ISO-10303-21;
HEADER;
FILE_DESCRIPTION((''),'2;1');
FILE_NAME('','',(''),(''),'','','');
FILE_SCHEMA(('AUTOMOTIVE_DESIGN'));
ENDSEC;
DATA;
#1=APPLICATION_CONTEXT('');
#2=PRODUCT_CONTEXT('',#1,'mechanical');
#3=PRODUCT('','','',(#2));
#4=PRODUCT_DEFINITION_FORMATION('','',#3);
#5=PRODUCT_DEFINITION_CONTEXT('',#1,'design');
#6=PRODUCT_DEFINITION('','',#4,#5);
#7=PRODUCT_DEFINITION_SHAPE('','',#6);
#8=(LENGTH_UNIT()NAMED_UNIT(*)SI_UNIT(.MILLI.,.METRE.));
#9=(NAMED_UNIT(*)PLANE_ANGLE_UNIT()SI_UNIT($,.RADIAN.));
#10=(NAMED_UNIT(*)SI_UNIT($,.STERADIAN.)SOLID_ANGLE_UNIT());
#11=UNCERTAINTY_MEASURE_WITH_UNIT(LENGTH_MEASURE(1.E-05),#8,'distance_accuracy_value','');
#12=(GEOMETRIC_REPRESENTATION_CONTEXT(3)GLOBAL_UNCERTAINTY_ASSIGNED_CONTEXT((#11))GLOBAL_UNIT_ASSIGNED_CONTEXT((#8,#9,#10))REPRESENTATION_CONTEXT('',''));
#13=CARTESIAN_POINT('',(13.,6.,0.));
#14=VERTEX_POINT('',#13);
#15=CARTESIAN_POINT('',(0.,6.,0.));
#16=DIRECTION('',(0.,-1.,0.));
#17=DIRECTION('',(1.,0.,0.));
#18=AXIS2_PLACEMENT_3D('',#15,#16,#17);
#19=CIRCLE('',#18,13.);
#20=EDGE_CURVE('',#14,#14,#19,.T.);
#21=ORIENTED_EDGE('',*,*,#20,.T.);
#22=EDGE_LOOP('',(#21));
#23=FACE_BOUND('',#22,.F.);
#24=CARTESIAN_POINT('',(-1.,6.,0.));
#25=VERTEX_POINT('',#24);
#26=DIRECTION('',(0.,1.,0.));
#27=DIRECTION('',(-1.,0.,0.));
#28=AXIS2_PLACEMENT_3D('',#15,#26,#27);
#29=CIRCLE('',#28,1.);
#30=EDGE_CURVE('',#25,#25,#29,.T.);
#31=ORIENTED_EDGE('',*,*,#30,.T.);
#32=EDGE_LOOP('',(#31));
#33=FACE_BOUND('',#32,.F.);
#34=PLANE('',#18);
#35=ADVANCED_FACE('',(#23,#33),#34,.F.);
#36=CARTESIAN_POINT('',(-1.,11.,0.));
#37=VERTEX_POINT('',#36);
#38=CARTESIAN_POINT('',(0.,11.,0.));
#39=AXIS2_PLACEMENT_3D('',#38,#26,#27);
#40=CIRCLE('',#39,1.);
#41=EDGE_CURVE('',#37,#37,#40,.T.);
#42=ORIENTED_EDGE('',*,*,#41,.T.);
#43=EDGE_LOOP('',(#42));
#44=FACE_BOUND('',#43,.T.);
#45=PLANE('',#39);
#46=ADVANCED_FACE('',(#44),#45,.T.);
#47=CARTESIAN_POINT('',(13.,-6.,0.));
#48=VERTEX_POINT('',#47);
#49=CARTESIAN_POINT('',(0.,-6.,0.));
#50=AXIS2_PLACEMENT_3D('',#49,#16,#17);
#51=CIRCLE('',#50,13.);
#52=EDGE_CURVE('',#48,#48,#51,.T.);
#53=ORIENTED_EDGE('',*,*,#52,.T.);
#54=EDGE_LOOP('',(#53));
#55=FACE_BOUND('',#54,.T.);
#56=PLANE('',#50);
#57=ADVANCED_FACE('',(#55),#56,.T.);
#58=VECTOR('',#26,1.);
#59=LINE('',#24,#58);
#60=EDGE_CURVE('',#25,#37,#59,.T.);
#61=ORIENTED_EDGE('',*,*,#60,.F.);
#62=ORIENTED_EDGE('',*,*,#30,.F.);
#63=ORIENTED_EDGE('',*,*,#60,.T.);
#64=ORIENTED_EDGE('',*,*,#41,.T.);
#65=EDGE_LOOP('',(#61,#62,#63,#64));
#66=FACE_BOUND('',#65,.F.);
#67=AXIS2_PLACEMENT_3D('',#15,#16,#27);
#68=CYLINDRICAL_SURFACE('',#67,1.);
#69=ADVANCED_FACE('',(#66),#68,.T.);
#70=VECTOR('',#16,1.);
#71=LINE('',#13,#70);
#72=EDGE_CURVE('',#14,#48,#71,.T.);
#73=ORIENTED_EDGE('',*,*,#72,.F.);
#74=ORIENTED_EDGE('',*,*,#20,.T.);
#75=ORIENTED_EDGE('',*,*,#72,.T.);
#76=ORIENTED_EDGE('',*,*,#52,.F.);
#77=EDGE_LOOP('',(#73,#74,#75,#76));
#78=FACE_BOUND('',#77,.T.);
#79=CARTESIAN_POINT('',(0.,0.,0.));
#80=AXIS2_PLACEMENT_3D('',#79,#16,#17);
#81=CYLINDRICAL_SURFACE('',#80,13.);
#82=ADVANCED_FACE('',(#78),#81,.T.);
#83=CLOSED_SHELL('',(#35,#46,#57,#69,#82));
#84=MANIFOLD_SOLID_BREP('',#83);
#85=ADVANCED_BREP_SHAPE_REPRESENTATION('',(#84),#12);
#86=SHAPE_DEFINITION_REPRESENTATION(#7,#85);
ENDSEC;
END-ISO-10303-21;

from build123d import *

# Parameters (mm, degrees)
F0_R     = 13
F0_R_2   = 11.5
F1_DEPTH = 6
F2_DEPTH = 6
F3_R     = 1
F4_DEPTH = 5


with BuildPart() as f1:
    # F0 (on Front) → F1 (new body, symmetric)
    with BuildSketch(Plane.XZ):
        Circle(F0_R)
        Circle(F0_R_2, mode=Mode.SUBTRACT)
    extrude(amount=F1_DEPTH, both=True)

    # F0 (on Front) → F2 (join, symmetric)
    with BuildSketch(Plane.XZ):
        Circle(F0_R_2)
    extrude(amount=F2_DEPTH, both=True)

    # F3 (on face) → F4 (join)
    with BuildSketch(Plane(origin=(0, 6, 0), x_dir=(-1, 0, 0), z_dir=(0, 1, 0))):
        Circle(F3_R)
    extrude(amount=F4_DEPTH)


solid = f1.part
